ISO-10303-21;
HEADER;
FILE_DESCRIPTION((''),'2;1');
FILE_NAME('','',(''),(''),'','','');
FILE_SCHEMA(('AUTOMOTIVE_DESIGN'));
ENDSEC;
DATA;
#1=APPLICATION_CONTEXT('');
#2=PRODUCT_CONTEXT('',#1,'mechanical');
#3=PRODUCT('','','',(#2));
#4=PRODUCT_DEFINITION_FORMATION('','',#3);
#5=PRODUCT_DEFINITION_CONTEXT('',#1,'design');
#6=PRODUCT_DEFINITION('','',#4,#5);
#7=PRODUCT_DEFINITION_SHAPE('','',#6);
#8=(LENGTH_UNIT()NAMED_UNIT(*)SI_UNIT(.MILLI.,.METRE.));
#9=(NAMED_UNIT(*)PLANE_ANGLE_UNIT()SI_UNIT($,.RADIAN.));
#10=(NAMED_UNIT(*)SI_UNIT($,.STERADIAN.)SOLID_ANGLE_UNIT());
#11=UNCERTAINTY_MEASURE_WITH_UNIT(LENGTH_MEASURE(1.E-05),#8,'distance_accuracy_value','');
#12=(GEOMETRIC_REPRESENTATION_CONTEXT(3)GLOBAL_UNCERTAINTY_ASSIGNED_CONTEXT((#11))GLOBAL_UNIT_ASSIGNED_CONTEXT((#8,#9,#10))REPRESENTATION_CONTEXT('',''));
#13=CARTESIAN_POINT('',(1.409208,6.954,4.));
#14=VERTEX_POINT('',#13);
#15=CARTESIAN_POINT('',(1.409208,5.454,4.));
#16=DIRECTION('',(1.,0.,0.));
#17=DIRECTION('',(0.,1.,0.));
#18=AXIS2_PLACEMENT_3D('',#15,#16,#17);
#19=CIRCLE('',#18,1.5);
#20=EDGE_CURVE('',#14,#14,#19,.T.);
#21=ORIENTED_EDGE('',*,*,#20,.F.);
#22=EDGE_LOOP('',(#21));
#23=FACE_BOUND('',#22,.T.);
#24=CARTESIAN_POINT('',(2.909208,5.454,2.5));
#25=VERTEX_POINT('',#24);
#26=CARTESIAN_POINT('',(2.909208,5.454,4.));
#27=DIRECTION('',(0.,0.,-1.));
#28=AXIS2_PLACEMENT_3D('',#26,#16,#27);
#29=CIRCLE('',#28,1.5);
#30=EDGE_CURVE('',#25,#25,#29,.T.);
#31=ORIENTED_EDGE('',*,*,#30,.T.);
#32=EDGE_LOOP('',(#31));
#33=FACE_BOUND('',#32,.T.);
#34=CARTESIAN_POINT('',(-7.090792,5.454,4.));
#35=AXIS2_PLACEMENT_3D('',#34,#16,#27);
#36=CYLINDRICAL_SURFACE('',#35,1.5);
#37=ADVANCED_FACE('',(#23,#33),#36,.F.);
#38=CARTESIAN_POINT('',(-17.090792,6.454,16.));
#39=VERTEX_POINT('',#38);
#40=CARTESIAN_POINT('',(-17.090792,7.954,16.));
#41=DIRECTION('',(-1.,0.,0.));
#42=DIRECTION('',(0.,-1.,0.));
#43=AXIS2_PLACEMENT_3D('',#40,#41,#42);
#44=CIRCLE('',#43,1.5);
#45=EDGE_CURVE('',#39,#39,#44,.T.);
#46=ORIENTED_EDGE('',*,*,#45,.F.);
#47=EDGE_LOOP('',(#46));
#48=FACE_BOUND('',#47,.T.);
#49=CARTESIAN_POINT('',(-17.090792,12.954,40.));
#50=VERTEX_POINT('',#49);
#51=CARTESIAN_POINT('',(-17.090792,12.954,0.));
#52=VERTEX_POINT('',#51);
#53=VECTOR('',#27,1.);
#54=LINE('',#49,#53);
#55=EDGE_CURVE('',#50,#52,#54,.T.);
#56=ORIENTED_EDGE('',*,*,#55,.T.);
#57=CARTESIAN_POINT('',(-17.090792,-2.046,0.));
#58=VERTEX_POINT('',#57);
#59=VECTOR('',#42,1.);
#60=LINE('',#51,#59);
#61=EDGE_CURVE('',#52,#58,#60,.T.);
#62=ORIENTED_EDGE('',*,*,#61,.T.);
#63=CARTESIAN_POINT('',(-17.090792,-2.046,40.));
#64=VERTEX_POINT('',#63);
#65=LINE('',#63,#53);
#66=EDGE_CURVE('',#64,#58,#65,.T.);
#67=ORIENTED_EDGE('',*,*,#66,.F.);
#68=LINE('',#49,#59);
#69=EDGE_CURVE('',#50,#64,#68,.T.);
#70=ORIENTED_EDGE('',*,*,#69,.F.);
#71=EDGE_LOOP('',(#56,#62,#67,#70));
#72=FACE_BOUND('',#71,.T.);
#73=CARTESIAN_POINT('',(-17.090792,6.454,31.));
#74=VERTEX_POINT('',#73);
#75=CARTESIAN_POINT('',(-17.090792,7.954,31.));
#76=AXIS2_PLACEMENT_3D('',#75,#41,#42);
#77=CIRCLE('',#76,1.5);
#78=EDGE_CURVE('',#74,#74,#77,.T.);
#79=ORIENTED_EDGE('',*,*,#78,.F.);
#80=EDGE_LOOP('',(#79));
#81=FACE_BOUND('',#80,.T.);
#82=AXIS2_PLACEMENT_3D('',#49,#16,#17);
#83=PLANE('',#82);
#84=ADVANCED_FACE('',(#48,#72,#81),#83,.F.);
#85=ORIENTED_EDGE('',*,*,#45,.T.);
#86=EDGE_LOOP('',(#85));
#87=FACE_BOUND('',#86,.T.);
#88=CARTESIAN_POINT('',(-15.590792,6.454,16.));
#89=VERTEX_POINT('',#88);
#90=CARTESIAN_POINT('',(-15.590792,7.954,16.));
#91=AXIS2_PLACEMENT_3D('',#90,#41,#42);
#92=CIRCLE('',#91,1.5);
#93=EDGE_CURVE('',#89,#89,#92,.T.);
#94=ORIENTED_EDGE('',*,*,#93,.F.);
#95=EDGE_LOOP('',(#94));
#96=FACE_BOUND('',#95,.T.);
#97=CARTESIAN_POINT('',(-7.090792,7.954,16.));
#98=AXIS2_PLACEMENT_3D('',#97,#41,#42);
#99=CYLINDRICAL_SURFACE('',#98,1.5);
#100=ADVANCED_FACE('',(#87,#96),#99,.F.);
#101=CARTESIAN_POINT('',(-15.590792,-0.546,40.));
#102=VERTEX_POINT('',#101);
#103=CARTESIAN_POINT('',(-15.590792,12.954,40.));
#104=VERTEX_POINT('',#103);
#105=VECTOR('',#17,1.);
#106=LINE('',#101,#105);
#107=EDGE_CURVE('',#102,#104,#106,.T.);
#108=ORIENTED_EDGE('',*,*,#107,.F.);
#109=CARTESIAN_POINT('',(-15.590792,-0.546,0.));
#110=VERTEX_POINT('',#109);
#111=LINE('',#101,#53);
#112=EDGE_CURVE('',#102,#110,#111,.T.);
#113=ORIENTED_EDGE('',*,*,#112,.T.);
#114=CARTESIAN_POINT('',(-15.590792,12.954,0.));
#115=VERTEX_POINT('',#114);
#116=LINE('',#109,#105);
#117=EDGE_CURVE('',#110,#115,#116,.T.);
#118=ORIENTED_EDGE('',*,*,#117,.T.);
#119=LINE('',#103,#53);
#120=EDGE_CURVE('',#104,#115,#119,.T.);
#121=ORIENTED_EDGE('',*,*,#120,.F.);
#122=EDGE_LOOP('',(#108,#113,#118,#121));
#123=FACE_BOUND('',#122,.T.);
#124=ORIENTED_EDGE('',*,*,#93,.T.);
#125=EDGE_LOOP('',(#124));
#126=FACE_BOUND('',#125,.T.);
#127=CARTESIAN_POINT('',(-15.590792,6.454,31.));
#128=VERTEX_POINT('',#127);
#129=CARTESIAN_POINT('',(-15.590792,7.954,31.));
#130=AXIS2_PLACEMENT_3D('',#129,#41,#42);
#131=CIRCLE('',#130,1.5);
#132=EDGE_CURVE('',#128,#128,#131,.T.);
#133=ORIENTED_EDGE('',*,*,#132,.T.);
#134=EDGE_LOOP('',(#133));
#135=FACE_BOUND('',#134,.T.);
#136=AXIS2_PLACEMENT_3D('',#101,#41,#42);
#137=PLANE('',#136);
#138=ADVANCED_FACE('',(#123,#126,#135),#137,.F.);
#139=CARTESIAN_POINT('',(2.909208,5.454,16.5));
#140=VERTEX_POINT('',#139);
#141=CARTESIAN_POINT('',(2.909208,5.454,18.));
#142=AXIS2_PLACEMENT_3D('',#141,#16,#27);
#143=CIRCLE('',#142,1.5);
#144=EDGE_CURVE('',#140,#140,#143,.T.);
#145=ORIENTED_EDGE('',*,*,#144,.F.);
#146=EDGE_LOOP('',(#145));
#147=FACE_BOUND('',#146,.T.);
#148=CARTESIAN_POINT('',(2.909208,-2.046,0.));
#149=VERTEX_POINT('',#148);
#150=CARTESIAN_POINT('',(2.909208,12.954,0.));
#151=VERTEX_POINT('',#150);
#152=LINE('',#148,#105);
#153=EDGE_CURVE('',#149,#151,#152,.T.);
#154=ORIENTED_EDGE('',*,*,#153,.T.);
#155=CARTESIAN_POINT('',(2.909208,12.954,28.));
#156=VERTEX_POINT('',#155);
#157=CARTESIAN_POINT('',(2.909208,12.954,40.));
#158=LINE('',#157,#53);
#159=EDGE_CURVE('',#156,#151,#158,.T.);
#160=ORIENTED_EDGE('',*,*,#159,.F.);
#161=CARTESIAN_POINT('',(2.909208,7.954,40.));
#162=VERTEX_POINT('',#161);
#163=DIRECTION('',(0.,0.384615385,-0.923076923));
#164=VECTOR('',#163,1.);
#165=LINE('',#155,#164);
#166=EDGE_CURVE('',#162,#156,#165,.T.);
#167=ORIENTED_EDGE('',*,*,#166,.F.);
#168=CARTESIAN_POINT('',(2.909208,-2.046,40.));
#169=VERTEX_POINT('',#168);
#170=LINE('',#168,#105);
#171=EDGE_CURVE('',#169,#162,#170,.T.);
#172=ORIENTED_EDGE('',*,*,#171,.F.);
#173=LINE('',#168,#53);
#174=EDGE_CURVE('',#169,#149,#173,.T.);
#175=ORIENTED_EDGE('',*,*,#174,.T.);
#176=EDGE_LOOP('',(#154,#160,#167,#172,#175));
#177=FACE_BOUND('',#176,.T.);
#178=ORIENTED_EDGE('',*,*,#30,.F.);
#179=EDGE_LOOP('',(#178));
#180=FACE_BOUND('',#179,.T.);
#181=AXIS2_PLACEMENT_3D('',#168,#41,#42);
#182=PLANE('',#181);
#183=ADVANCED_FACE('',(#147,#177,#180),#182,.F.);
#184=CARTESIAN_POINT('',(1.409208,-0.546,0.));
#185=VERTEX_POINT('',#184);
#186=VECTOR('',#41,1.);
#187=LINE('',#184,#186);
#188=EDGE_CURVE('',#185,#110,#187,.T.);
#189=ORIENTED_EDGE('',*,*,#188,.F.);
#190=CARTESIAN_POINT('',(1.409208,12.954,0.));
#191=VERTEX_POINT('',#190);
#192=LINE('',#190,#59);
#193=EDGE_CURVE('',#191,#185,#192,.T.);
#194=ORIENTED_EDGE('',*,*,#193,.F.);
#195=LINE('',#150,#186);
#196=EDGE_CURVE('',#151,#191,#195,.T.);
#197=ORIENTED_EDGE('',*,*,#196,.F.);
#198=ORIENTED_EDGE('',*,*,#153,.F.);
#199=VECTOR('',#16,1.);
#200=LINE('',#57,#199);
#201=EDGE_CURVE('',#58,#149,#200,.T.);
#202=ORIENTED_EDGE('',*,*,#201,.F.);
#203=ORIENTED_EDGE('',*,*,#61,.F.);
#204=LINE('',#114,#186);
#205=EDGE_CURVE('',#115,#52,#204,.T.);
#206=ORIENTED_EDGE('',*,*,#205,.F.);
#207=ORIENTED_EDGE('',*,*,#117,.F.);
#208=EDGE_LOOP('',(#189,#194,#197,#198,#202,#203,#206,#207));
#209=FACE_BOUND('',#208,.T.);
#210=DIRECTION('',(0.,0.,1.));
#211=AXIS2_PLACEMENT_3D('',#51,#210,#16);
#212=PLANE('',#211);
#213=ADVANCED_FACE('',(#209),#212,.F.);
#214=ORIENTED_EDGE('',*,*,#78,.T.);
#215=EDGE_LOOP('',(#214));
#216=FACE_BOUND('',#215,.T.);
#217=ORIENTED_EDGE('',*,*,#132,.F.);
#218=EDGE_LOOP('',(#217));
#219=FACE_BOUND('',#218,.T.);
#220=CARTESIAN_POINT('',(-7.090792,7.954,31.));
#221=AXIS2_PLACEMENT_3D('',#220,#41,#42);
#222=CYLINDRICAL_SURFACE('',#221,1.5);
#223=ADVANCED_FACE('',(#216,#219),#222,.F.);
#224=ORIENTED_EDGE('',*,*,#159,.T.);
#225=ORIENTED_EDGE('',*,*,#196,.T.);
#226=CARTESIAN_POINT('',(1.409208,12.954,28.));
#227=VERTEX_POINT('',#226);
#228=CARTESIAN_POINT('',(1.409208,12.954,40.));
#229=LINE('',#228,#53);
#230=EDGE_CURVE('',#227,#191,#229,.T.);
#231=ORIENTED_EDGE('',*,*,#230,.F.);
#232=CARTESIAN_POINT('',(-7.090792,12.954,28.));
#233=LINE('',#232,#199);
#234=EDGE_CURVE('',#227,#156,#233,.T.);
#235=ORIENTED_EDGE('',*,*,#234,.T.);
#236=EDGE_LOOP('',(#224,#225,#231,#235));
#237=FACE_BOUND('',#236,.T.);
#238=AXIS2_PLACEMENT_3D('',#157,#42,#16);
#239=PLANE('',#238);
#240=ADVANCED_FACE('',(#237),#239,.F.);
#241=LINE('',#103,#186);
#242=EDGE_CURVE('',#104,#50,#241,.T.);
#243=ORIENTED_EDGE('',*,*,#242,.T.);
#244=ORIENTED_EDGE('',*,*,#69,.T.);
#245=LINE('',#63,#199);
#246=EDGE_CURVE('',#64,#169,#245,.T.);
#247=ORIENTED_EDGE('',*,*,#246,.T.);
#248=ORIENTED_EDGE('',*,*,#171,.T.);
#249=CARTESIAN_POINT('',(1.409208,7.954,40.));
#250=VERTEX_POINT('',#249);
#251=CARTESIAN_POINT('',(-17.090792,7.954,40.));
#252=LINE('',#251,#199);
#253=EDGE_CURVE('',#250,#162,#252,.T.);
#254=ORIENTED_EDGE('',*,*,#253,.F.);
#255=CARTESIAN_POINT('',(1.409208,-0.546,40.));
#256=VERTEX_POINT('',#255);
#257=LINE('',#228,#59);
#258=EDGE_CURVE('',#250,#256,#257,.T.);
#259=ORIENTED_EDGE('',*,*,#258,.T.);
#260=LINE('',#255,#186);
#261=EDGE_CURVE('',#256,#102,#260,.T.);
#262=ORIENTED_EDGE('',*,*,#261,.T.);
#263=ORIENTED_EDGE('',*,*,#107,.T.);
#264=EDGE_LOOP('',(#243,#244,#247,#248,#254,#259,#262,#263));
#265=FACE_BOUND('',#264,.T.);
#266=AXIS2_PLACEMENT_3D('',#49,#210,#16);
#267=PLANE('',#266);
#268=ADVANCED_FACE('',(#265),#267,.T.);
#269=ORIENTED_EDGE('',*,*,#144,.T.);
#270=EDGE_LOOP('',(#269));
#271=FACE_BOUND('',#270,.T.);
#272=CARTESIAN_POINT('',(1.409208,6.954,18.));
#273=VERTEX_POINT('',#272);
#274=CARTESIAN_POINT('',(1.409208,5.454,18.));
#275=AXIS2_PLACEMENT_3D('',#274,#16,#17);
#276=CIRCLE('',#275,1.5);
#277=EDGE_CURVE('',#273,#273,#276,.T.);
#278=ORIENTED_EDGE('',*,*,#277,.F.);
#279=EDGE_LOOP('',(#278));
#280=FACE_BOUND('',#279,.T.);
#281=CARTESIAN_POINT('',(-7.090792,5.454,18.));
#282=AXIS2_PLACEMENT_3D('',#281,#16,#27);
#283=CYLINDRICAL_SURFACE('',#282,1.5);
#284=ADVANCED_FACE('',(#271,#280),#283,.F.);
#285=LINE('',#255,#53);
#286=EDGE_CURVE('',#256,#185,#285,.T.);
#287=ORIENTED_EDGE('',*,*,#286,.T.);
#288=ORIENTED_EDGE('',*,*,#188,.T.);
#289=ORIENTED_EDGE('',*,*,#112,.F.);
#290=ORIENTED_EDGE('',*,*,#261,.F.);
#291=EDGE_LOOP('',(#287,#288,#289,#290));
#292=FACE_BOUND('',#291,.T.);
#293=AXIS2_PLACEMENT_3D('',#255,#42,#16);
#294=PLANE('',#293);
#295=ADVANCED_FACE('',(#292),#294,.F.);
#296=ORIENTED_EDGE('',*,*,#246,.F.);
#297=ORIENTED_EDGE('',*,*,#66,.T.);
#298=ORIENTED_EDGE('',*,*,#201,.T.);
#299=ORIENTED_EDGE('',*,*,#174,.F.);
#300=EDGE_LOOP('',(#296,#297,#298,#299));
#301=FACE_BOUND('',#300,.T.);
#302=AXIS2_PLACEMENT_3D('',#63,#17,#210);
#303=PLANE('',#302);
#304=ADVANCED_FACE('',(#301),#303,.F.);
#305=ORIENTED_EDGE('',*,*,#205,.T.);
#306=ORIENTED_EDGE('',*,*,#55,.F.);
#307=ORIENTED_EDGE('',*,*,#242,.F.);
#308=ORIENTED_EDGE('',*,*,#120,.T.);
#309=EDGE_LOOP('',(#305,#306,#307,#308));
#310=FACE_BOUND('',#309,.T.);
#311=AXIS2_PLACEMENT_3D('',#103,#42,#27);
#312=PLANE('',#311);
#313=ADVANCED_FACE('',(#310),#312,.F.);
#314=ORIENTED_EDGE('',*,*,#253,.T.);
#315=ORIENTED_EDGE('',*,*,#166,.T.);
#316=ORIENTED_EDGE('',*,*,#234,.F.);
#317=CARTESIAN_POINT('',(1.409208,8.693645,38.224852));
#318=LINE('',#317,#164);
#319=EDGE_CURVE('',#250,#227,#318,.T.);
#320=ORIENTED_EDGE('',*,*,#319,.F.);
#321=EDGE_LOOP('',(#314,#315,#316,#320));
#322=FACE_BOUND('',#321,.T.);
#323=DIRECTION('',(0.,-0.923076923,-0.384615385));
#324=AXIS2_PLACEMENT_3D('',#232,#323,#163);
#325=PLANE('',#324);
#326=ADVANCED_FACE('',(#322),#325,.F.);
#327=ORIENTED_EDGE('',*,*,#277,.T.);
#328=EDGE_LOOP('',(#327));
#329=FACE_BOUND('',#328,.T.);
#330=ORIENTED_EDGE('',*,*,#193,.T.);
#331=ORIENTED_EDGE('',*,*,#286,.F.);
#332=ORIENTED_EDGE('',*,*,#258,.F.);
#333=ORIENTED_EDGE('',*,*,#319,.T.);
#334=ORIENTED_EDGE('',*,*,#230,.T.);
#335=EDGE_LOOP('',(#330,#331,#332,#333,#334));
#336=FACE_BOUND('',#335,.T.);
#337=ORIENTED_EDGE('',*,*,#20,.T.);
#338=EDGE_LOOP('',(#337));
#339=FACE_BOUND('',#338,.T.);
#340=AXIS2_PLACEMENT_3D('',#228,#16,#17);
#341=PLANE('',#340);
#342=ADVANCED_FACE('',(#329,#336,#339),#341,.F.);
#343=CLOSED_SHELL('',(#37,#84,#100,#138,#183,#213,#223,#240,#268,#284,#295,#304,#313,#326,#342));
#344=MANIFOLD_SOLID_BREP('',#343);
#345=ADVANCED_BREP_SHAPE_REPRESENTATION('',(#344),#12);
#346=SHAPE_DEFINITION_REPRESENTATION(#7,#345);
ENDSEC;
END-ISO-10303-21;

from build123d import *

# Parameters (mm, degrees)
EXTRUSION1_DEPTH = 40
ESQUISSE2_R      = 1.5
EXTRUSION2_DEPTH = 10
ESQUISSE6_R      = 1.5
EXTRUSION6_DEPTH = 10


with BuildPart() as part:
    # Esquisse1 → Extrusion1 (new body)
    with BuildSketch(Plane.XY):
        Polygon((-17.090791643, 12.954), (-17.090791643, -2.046), (2.909208357, -2.046), (2.909208357, 12.954), (1.409208357, 12.954), (1.409208357, -0.546), (-15.590791643, -0.546), (-15.590791643, 12.954), align=None)
    extrude(amount=EXTRUSION1_DEPTH)

    # Esquisse2 → Extrusion2 (cut)
    with BuildSketch(Plane(origin=(2.909208357, 0, 0), x_dir=(0, 0, -1), z_dir=(1, 0, 0))):
        with Locations((-18, 5.454)):
            Circle(ESQUISSE2_R)
        with Locations((-4, 5.454)):
            Circle(ESQUISSE2_R)
        Polygon((-40, 12.954), (-28, 12.954), (-40, 7.954), align=None)
    extrude(amount=-EXTRUSION2_DEPTH, mode=Mode.SUBTRACT)

    # Esquisse6 → Extrusion6 (cut)
    with BuildSketch(Plane.ZY.offset(17.090791643)):
        with Locations(Location((31, 7.954, 0), (0, 0, 270))):
            Circle(ESQUISSE6_R)
        with Locations(Location((16, 7.954, 0), (0, 0, 270))):
            Circle(ESQUISSE6_R)
    extrude(amount=-EXTRUSION6_DEPTH, mode=Mode.SUBTRACT)


solid = part.part
